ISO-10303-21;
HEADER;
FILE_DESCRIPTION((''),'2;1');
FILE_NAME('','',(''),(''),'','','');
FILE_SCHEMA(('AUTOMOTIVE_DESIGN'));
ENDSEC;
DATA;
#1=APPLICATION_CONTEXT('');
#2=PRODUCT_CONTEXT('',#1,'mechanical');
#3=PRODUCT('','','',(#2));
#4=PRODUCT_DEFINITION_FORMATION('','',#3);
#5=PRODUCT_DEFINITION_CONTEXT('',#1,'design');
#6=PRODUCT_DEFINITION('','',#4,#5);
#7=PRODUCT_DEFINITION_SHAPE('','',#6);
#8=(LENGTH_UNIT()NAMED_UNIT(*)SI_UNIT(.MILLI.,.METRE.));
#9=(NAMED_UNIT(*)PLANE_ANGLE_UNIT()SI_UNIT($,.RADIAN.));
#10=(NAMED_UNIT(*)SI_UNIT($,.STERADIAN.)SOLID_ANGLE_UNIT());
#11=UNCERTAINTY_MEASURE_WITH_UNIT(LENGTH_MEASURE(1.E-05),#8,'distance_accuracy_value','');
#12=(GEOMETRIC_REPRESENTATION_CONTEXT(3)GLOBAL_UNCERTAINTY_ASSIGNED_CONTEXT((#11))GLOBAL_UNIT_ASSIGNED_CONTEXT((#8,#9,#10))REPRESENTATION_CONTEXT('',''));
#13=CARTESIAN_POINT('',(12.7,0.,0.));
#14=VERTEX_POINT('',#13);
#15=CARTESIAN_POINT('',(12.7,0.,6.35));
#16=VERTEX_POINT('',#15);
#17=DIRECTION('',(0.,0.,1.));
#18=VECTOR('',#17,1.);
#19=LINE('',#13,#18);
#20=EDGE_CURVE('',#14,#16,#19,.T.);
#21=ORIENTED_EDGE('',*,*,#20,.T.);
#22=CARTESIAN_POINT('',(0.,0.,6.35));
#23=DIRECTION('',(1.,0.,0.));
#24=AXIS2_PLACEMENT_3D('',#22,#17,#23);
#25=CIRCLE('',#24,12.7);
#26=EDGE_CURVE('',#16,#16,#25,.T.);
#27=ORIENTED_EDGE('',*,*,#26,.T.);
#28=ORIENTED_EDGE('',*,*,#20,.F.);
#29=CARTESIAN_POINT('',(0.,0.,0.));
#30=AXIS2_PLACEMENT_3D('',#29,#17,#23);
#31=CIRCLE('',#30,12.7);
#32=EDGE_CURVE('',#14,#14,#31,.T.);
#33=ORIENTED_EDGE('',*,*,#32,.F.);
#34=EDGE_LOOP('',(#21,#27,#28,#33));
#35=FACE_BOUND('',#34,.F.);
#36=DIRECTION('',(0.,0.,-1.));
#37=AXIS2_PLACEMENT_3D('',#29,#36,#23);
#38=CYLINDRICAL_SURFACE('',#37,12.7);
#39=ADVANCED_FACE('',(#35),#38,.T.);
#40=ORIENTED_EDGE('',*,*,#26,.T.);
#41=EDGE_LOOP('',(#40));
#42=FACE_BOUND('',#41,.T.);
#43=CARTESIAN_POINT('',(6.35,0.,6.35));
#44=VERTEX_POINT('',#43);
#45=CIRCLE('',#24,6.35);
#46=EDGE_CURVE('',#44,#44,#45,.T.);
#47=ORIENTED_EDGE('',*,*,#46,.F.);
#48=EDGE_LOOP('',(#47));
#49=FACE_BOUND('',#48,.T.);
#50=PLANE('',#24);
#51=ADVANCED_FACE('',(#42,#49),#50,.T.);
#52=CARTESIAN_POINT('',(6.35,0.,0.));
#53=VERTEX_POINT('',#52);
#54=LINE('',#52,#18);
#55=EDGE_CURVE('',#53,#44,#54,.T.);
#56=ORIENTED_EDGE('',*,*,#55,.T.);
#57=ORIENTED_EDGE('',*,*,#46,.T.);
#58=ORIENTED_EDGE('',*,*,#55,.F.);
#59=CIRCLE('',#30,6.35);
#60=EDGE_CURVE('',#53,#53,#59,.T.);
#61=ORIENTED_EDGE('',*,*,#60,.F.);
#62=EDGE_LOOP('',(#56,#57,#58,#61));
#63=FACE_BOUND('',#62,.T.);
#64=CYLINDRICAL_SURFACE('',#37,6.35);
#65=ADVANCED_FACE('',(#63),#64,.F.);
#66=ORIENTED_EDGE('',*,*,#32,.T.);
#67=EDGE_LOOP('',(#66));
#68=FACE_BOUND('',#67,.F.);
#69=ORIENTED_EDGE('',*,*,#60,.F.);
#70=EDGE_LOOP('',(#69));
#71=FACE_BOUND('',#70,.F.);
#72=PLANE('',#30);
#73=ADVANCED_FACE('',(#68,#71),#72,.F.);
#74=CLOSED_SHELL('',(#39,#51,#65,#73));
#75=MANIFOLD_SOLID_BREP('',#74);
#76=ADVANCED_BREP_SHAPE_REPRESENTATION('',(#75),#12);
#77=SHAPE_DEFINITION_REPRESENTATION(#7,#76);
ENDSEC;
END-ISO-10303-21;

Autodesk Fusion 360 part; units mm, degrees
sketch "Sketch1" plane through (0, 0, 0) normal (0, 0, 1) x (1, 0, 0)
  circle A0 centre (0, 0) radius 6.35
  circle A1 centre (0, 0) radius 12.7
  dimension "outerdiameter" = 25.4
  dimension "diameter" = 12.7
extrude "Extrude1" add sketch "Sketch1" along normal blind 6.35
equation "thickness = 0.25 in"
